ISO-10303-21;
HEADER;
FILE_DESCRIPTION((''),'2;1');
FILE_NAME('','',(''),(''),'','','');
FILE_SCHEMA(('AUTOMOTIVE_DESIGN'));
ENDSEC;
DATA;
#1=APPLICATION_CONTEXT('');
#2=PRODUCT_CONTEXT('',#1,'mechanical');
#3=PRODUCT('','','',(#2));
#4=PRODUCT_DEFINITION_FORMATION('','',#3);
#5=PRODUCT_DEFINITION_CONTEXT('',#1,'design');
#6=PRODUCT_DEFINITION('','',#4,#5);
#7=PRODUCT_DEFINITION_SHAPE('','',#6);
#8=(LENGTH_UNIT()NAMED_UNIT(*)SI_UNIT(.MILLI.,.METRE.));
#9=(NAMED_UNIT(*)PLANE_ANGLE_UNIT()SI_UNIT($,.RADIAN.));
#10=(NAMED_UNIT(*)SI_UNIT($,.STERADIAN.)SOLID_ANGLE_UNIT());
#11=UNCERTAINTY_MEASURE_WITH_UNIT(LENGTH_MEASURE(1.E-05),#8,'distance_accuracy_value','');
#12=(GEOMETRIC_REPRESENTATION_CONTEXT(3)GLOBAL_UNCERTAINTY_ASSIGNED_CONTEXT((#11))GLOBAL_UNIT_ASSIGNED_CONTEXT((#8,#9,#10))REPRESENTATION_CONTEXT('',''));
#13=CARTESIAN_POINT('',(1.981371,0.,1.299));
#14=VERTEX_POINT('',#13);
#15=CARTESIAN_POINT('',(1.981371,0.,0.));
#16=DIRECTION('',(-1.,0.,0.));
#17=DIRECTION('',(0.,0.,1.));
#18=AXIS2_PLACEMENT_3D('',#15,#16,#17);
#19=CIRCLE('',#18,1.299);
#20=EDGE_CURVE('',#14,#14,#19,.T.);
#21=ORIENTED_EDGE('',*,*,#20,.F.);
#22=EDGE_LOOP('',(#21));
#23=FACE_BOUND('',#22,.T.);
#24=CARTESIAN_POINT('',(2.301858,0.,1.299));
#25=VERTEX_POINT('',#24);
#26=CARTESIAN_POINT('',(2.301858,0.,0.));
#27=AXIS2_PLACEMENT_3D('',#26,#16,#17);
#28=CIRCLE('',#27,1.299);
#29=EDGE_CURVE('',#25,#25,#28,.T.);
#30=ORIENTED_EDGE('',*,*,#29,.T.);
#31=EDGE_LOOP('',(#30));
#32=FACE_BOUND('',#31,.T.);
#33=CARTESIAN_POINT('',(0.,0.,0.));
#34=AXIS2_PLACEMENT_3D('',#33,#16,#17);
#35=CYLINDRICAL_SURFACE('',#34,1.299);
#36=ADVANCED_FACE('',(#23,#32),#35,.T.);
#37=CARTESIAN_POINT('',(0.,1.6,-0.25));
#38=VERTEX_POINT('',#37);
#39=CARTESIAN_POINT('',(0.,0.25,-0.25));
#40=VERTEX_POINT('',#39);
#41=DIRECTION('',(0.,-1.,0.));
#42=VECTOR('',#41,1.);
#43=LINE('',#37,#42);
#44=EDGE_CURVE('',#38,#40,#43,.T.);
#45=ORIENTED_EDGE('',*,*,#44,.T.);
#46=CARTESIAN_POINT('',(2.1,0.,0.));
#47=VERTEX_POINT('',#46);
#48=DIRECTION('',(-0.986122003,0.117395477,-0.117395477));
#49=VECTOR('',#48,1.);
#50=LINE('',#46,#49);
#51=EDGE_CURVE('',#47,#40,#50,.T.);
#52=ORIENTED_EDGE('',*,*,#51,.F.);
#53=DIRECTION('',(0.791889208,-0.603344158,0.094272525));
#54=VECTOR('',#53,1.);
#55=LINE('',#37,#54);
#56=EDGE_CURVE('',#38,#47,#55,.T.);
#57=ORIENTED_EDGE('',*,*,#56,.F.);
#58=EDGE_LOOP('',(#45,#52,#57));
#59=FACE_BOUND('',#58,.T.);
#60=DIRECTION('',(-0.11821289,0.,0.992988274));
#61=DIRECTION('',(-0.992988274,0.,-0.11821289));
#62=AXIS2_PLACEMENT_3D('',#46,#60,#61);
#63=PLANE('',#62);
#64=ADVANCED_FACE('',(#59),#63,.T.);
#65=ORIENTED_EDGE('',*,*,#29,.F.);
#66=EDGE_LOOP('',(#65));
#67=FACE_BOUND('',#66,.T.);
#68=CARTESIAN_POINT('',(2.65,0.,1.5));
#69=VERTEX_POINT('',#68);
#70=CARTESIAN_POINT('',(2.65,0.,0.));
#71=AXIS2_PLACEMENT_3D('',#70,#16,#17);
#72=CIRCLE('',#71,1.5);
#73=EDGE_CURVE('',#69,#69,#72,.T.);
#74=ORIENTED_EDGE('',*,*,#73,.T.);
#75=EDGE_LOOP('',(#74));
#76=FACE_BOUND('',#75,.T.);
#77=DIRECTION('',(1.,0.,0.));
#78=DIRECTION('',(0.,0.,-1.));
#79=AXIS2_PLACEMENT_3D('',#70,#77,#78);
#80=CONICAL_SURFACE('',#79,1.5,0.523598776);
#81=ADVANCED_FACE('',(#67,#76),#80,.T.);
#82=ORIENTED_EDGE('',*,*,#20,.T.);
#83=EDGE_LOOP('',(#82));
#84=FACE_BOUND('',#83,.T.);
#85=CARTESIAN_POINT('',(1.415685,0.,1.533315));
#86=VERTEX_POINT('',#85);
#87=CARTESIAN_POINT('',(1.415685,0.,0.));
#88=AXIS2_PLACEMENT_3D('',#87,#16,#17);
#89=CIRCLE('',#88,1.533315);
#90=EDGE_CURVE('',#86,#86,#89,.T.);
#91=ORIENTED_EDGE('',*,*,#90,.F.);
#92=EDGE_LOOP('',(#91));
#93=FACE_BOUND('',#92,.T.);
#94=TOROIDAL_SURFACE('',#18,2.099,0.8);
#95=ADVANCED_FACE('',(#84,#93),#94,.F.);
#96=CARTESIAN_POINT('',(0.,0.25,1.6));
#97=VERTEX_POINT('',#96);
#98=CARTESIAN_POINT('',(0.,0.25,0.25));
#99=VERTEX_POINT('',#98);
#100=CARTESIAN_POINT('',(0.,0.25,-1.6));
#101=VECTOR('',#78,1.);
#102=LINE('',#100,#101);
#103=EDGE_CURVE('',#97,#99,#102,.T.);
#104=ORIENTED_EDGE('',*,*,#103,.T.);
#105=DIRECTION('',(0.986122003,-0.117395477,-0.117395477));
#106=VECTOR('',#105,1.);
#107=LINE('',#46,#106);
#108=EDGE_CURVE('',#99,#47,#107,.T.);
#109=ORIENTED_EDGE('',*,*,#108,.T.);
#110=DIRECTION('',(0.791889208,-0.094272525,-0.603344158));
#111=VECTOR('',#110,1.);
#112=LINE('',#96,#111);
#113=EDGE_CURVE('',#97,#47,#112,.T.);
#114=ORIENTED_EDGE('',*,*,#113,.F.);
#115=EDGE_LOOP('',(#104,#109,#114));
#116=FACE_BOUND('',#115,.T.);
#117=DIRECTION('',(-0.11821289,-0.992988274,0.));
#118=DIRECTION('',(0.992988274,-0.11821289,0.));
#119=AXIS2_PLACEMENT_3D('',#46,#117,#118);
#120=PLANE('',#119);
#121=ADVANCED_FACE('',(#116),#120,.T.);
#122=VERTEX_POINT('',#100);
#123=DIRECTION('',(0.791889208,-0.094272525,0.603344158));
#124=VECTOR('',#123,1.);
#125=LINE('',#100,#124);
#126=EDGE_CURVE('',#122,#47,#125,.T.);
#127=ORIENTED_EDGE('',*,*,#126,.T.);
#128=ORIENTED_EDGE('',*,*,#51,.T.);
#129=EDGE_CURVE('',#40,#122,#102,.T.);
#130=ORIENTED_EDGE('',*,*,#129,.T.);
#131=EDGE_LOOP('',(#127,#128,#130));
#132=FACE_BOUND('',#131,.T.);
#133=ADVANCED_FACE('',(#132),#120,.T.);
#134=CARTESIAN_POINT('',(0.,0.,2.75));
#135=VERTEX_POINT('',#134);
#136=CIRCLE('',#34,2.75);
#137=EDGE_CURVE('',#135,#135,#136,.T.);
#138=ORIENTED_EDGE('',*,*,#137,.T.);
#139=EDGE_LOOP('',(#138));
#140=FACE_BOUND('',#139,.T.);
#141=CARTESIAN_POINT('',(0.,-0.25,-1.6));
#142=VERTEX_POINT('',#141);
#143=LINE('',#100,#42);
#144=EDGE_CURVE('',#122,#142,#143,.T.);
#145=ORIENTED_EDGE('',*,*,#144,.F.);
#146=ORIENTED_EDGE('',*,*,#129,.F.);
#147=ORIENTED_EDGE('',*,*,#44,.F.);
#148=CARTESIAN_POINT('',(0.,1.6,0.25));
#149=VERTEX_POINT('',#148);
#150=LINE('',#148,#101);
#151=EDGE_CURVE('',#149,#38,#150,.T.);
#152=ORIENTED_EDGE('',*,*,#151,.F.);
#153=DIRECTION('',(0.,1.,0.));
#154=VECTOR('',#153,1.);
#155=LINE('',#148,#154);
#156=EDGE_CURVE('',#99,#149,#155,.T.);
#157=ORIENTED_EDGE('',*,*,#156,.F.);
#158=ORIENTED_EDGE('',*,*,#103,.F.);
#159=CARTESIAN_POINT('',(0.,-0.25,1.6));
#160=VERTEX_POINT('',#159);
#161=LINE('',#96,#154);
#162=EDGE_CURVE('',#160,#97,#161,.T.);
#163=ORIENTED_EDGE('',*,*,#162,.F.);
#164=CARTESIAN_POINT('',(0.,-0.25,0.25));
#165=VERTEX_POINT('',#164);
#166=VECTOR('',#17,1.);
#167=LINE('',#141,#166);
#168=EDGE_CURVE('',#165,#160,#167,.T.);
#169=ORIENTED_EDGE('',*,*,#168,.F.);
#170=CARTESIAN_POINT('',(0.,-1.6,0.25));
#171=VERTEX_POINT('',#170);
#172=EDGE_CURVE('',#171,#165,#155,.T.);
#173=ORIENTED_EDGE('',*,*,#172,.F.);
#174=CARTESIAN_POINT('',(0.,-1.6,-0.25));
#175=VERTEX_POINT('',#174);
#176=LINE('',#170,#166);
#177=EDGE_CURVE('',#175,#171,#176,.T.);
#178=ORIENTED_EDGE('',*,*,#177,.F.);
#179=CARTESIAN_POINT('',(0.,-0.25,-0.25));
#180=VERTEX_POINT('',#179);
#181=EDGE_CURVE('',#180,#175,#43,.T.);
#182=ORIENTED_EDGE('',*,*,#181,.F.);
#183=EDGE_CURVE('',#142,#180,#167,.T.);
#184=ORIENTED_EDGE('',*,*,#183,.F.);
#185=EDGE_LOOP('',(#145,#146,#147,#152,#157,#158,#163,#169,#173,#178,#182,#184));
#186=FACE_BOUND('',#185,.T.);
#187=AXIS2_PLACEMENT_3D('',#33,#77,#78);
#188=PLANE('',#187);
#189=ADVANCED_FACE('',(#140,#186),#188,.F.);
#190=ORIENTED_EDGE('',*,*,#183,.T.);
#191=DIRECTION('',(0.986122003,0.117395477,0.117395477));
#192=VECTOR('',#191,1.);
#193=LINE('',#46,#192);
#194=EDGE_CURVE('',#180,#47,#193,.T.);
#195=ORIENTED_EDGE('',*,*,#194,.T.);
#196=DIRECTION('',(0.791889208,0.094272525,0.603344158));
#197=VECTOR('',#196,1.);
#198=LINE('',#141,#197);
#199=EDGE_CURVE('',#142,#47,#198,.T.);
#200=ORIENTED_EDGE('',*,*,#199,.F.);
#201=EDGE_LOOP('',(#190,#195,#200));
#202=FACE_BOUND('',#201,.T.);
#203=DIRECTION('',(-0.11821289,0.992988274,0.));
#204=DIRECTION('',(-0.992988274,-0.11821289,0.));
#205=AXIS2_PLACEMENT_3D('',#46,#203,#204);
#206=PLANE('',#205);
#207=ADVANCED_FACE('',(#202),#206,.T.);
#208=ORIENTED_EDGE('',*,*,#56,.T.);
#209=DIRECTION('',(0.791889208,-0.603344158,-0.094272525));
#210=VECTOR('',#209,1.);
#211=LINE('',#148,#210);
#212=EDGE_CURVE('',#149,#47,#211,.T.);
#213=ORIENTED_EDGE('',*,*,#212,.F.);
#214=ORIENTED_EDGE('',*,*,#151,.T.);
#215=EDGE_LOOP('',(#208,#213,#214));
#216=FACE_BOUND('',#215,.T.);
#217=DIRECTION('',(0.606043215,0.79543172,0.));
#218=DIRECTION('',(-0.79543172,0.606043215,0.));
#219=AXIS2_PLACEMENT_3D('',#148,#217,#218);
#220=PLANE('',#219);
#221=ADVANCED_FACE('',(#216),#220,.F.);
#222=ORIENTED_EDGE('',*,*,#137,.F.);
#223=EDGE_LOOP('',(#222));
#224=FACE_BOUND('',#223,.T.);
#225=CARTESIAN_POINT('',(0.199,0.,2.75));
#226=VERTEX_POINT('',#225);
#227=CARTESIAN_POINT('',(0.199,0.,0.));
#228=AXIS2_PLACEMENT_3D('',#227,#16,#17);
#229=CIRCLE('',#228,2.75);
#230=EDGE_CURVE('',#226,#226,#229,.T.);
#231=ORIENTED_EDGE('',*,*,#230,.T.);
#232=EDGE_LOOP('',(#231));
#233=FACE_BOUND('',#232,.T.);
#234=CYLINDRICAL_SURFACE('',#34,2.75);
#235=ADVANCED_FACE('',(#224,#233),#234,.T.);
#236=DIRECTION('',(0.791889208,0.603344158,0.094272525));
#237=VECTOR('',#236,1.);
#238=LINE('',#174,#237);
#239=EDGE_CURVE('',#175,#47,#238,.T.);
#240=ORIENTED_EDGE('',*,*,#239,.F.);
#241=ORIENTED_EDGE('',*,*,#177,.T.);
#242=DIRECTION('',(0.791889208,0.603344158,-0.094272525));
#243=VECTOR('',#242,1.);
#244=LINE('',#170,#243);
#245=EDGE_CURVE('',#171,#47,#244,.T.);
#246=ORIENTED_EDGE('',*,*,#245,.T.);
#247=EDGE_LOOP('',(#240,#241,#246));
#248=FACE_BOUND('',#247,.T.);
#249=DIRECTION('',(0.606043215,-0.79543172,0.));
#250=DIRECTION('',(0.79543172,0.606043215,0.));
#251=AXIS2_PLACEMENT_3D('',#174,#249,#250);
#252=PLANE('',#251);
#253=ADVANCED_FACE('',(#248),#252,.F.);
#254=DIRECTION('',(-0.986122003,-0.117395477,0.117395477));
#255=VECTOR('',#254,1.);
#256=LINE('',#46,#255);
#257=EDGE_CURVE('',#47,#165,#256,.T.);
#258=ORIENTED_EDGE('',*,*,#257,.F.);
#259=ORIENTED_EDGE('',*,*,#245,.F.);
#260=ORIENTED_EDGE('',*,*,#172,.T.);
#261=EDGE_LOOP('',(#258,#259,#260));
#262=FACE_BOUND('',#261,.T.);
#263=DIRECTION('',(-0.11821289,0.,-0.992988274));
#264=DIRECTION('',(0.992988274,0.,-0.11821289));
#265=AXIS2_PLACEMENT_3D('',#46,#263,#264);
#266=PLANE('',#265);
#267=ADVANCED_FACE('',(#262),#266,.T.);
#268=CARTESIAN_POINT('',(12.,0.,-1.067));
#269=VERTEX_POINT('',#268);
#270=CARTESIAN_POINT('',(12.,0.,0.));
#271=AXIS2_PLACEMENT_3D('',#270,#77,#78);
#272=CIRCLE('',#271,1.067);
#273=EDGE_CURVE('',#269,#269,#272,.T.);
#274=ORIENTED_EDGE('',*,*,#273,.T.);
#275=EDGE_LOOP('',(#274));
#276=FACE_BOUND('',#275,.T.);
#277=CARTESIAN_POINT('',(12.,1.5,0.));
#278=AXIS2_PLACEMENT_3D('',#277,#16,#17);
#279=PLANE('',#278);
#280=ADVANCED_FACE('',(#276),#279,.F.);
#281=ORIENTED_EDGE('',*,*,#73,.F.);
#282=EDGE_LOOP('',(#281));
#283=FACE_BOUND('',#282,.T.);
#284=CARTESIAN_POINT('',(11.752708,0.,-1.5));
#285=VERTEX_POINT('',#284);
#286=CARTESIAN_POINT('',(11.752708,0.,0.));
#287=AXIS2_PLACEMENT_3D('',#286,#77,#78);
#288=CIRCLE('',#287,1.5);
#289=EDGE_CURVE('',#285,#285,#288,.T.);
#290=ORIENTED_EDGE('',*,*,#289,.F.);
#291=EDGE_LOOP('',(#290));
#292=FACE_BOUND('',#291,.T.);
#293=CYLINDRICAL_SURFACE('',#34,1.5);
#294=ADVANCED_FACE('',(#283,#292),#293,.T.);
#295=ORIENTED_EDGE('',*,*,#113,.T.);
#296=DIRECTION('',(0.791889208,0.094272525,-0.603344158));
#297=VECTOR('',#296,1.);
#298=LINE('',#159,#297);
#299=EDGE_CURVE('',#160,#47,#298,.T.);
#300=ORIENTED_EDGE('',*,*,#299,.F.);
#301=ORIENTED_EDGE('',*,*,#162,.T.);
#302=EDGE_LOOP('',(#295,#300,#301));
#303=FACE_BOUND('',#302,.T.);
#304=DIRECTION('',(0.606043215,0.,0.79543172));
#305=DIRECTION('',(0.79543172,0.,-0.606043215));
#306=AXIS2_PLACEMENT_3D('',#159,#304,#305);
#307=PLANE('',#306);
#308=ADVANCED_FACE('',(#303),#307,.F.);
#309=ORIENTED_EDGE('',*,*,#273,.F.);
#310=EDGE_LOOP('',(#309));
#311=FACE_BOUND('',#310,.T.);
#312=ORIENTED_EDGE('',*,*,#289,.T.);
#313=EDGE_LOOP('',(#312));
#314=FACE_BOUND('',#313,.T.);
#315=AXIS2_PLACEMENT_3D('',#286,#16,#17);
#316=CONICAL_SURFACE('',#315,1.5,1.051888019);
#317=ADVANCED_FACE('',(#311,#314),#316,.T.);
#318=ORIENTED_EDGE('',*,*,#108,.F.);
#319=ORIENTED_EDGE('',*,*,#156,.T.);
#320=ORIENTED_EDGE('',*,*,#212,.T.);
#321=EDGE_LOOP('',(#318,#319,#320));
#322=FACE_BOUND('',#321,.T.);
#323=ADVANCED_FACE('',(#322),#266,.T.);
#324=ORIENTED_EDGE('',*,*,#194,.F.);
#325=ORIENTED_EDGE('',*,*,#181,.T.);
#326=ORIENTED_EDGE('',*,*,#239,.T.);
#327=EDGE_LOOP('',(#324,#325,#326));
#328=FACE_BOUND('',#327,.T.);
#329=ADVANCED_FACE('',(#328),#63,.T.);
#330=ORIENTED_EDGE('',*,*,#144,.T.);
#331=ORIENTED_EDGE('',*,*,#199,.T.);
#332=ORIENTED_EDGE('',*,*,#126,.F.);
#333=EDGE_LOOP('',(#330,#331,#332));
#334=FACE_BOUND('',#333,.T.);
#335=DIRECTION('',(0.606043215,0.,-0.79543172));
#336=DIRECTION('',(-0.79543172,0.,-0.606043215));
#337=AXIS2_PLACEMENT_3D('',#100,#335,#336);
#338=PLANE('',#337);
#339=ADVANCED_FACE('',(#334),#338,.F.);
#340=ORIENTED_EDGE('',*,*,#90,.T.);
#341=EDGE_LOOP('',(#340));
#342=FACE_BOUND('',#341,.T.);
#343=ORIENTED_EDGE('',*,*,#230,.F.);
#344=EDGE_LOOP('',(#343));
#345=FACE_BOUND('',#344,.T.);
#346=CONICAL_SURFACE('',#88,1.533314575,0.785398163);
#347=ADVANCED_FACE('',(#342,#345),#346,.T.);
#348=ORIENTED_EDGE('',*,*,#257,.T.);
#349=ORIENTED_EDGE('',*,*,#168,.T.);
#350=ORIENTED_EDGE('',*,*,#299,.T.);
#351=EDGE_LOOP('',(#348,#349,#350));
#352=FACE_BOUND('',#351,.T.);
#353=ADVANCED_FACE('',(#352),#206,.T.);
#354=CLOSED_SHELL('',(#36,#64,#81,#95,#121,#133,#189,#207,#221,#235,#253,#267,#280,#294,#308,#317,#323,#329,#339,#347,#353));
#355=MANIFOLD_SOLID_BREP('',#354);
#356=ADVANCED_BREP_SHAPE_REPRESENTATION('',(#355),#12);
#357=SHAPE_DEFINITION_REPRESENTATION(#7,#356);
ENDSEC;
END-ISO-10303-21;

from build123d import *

# Parameters (mm, degrees)
PATTERN_CIRCULAR_1_COUNT = 2
PATTERN_CIRCULAR_1_ANGLE = 90


with BuildPart() as part:
    # 草图1 → Revolve 694 (revolve)
    with BuildSketch(Plane.XY, mode=Mode.PRIVATE) as revolve_694_sk:
        with BuildLine():
            Line((0, 0), (0, 2.75))
            Line((0, 2.75), (0.199, 2.75))
            Line((0.199, 2.75), (1.415685425, 1.533314575))
            ThreePointArc((1.415685425, 1.533314575), (1.675224104, 1.359896374), (1.98137085, 1.299))
            Line((1.98137085, 1.299), (2.301857788, 1.299))
            Line((2.301857788, 1.299), (2.65, 1.5))
            Line((2.65, 1.5), (12, 1.5))
            Line((12, 1.5), (12, 0))
            Line((12, 0), (0, 0))
        make_face()
    revolve(revolve_694_sk.sketch.rotate(Axis((0, 0, 0), (1, 0, 0)), 90), axis=Axis((0, 0, 0), (1, 0, 0)))

    # 草图2 → 切除-旋转1 (revolve, cut)
    with BuildSketch(Plane.XY, mode=Mode.PRIVATE) as cut_revolve_1_sk:
        Polygon((11.752708003, 1.5), (12.252708003, 1.5), (12, 1.067), align=None)
    revolve(cut_revolve_1_sk.sketch.rotate(Axis((0, 0, 0), (-1, 0, 0)), 270), axis=Axis((0, 0, 0), (-1, 0, 0)), mode=Mode.SUBTRACT)

    # 草图3 → 切除-放样1 section 0
    with BuildSketch(Plane.ZY, mode=Mode.PRIVATE) as loft_1_s0:
        with BuildLine():
            Line((-1.6, 0.25), (1.6, 0.25))
            Line((1.6, 0.25), (1.6, -0.25))
            Line((1.6, -0.25), (-1.6, -0.25))
            Line((-1.6, -0.25), (-1.6, 0.25))
        make_face()
    loft_1 = loft([loft_1_s0.sketch, Vertex(2.1, 0, 0)], mode=Mode.SUBTRACT)

    # 阵列(圆周)1: 切除-放样1 ×2 about axis
    pattern_circular_1_axis = Axis((0, 0, 0), (1, 0, 0))
    for i in range(1, PATTERN_CIRCULAR_1_COUNT):
        add(loft_1.rotate(pattern_circular_1_axis, i * PATTERN_CIRCULAR_1_ANGLE / (PATTERN_CIRCULAR_1_COUNT - 1)), mode=Mode.SUBTRACT)


solid = part.part
